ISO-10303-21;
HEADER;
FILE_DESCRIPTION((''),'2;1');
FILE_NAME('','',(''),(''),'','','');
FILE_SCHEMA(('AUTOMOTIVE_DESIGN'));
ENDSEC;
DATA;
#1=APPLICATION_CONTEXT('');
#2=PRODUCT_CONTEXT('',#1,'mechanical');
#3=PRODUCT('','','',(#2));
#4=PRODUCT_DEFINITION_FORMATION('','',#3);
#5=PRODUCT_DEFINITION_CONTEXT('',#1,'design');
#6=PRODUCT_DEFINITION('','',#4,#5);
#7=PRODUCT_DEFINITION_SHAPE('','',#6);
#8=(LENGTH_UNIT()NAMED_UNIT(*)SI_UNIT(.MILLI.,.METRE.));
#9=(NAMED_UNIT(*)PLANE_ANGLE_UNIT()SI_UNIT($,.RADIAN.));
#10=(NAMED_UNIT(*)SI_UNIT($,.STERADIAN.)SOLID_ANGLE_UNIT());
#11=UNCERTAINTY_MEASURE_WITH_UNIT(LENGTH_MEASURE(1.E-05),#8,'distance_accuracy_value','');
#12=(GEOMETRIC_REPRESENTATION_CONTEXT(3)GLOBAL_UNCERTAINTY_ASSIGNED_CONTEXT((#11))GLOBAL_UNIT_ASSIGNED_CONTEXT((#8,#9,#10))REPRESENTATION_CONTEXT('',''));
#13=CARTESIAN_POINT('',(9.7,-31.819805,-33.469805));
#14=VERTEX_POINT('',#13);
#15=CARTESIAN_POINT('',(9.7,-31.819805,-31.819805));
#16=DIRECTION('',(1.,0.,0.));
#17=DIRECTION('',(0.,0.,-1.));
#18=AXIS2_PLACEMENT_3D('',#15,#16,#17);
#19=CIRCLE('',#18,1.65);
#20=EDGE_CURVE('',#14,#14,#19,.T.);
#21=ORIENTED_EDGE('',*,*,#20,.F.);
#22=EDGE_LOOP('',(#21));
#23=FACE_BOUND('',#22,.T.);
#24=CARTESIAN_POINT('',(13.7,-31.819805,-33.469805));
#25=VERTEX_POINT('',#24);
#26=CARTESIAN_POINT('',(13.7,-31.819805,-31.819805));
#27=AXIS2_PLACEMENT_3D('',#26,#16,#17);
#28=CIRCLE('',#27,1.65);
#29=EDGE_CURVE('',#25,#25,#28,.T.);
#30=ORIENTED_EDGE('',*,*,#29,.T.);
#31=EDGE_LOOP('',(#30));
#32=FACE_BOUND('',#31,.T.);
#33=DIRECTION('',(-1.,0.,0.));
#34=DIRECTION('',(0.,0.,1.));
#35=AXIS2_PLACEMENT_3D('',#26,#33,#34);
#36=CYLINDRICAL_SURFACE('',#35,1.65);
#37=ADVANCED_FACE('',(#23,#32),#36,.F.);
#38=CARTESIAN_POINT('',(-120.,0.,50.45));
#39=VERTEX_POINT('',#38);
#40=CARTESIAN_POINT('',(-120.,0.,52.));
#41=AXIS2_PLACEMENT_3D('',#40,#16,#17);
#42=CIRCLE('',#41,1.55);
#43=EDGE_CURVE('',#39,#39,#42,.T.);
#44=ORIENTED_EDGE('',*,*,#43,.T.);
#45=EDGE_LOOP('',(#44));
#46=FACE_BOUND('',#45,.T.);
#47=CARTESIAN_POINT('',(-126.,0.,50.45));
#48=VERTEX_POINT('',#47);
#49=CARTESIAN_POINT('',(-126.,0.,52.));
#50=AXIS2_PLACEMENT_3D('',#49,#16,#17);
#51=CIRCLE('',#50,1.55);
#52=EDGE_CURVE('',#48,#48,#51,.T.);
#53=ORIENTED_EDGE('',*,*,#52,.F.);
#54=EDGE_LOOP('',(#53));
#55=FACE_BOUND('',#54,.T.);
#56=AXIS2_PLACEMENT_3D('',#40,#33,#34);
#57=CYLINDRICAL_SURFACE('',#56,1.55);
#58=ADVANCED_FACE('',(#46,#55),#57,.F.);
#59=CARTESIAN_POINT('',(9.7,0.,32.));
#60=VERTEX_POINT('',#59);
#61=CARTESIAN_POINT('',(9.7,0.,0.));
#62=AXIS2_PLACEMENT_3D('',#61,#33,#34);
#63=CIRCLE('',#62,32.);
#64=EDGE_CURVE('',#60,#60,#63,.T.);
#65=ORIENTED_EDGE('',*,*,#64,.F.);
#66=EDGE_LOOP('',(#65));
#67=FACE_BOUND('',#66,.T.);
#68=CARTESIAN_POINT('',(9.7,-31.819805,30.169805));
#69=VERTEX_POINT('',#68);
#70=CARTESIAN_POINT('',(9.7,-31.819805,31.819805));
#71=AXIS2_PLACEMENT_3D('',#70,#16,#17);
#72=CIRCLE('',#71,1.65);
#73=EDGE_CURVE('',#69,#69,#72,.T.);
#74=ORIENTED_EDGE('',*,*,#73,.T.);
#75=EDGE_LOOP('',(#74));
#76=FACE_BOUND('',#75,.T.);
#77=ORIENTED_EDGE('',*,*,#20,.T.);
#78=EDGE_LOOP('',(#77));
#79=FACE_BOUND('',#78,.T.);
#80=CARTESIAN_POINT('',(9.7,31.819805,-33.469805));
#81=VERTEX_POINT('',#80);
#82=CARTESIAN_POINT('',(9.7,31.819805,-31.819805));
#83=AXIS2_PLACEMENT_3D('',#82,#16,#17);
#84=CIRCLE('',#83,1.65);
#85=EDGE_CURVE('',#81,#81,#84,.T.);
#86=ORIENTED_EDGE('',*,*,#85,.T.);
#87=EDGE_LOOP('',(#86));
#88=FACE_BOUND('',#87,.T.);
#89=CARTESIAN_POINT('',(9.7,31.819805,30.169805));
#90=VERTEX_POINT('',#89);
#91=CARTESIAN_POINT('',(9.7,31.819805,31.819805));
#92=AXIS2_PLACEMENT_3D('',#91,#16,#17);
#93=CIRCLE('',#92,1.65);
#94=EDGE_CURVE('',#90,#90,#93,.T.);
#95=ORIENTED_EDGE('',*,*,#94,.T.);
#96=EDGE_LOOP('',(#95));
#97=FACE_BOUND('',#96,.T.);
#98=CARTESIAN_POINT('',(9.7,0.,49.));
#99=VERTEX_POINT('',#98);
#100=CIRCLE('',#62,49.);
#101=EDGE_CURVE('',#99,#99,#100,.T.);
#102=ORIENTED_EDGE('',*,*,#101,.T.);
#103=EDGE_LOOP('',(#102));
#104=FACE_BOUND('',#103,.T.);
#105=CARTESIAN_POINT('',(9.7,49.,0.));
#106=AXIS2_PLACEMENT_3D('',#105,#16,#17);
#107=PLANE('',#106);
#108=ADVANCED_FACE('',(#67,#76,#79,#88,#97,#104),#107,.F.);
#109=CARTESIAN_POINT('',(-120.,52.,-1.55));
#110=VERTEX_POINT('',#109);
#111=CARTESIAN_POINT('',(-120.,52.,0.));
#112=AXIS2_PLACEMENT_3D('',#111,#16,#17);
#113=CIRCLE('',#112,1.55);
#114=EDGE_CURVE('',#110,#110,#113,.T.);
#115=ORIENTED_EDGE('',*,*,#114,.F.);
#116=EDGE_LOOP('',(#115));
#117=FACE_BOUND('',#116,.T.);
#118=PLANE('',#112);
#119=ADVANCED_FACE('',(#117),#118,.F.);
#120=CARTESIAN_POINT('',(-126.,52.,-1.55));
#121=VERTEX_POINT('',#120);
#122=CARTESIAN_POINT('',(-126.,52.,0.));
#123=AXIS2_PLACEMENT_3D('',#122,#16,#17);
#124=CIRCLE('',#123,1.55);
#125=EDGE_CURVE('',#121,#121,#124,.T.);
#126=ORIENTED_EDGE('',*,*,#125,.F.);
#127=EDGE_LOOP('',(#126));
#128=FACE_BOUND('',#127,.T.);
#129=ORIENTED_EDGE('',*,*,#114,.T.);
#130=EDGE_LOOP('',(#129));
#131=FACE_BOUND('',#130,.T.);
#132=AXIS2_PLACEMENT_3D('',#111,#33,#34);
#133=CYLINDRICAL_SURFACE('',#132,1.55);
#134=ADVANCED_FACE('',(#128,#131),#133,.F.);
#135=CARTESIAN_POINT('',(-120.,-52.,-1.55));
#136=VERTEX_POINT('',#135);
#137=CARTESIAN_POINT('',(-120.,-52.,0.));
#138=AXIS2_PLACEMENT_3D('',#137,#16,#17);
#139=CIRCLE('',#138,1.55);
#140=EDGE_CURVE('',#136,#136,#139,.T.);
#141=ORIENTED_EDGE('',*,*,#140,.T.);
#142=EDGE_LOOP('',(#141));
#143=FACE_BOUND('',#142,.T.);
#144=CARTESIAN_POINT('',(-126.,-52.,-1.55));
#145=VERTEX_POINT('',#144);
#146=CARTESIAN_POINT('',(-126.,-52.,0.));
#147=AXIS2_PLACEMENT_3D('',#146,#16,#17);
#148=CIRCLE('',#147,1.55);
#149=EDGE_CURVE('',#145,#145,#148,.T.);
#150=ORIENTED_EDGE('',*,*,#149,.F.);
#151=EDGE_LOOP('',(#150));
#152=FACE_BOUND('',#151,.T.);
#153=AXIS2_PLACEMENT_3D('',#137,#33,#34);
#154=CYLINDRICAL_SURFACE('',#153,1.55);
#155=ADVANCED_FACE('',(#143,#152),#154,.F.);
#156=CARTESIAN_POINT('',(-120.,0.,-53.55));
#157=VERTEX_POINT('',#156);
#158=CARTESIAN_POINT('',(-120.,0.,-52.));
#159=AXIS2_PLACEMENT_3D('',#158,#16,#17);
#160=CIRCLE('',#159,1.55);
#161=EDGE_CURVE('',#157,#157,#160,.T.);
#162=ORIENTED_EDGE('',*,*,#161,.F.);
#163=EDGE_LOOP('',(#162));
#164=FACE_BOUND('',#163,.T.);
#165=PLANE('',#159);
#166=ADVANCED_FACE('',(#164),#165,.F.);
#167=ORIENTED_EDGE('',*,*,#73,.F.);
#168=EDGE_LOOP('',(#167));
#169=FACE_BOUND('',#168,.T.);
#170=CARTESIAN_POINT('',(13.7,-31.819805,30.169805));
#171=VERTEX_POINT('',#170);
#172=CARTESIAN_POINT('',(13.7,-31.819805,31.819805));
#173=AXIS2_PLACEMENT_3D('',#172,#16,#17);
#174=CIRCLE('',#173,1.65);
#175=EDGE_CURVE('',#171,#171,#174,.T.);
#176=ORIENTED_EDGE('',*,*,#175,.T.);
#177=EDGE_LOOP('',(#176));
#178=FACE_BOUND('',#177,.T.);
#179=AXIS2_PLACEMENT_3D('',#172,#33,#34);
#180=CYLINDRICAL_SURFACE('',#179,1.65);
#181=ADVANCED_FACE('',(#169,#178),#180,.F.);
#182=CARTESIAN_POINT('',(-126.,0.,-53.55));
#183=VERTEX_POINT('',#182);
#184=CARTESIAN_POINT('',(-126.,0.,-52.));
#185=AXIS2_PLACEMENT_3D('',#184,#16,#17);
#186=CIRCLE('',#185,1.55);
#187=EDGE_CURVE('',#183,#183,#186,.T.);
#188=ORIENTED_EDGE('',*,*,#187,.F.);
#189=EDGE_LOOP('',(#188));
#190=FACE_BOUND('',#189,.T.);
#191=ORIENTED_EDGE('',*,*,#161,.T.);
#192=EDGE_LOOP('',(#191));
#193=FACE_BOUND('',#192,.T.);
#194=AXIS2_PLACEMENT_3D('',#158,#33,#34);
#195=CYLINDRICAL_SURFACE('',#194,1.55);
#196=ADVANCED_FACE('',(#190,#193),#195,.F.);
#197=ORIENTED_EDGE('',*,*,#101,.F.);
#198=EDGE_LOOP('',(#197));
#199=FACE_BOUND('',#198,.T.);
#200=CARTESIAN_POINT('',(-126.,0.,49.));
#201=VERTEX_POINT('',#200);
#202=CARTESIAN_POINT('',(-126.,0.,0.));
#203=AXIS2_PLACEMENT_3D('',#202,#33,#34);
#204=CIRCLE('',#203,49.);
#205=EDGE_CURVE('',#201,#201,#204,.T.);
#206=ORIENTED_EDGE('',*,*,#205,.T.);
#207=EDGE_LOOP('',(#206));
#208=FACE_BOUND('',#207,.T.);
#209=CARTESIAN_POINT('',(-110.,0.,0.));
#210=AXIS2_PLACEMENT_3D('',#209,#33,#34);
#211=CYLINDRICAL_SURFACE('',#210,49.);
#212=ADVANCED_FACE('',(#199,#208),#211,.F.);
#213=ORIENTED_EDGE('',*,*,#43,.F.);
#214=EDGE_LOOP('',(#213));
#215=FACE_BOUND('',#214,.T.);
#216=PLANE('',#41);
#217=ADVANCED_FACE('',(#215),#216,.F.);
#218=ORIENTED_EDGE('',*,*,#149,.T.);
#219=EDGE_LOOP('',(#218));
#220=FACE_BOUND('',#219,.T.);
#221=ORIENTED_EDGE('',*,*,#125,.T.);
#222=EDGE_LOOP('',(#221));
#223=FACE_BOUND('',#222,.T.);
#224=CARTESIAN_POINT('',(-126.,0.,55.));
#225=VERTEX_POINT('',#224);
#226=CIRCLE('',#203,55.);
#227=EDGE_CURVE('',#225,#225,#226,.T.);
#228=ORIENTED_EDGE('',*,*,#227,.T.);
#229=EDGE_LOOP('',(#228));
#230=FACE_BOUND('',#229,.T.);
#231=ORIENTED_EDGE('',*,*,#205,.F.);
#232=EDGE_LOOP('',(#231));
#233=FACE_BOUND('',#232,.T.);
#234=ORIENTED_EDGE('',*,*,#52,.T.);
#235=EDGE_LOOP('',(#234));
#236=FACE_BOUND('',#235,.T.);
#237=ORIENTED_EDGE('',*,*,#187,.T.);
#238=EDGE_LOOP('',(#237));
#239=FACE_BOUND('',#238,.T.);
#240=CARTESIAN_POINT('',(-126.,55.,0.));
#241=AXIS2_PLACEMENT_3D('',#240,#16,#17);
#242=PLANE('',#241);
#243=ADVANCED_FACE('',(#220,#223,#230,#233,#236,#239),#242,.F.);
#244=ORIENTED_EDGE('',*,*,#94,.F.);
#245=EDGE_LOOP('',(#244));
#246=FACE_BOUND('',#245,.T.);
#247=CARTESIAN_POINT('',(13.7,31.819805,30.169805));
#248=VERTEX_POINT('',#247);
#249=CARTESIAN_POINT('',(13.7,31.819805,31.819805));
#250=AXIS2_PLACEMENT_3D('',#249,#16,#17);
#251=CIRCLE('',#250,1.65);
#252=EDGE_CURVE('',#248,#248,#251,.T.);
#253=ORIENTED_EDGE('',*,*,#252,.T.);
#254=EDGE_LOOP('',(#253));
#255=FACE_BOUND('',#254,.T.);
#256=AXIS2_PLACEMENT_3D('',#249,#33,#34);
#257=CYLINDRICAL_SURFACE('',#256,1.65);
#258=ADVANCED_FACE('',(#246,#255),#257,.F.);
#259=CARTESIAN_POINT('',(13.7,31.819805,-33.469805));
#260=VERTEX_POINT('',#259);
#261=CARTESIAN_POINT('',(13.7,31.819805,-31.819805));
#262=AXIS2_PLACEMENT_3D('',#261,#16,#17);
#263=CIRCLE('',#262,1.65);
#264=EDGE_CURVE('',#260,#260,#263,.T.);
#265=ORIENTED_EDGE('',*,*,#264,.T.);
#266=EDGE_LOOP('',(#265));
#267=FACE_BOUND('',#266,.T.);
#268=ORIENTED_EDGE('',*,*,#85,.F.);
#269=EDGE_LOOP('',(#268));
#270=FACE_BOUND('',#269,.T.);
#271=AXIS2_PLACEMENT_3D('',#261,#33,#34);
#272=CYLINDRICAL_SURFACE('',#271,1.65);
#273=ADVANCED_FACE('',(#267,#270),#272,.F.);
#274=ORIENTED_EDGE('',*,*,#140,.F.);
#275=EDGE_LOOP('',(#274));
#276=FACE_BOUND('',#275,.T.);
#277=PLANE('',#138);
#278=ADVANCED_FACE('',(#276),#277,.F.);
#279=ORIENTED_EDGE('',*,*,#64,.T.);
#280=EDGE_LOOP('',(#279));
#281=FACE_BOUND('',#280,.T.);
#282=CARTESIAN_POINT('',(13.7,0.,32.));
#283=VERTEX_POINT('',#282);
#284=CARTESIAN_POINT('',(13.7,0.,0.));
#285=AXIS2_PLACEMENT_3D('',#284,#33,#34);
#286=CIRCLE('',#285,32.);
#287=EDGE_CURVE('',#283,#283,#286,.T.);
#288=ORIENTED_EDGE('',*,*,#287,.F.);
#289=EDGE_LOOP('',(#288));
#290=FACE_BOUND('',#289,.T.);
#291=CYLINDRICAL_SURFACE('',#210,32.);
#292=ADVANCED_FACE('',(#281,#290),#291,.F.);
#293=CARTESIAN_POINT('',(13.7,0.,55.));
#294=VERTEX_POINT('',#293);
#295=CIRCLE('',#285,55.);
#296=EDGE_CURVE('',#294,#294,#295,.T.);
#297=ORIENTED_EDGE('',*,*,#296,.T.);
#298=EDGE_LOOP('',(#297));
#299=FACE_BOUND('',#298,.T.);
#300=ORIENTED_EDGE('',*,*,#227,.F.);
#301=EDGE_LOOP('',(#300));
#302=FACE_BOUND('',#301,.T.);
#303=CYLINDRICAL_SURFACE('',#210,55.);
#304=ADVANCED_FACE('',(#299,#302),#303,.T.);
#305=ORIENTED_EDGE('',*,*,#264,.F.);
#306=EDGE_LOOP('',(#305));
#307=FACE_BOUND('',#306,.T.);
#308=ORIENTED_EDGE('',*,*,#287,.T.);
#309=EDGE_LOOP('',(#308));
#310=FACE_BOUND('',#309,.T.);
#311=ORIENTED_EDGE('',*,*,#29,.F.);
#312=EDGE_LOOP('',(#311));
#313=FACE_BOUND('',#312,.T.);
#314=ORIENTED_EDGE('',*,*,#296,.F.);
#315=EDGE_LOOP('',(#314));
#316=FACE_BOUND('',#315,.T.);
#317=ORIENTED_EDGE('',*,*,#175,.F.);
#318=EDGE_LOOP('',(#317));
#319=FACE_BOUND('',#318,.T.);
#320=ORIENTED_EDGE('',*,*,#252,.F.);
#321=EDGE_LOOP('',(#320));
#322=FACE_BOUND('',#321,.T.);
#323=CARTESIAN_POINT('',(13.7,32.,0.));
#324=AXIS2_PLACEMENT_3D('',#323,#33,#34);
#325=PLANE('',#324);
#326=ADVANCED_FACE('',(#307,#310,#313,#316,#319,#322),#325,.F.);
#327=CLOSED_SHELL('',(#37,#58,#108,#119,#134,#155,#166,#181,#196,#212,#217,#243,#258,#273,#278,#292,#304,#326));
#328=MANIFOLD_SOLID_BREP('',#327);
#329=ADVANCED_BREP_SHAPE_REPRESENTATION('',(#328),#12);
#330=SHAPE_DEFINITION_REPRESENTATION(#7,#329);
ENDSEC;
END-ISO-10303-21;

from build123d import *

# Parameters (mm, degrees)
AXIAL_START        = 9.7
SKETCH2_R          = 1.65
AXIAL_HOLES_DEPTH  = 4
CUT_EXTRUDE2_START = -126
SKETCH3_R          = 1.55
CUT_EXTRUDE2_DEPTH = 6


with BuildPart() as part:
    # Axial profile (mm) → Full revolution (revolve)
    with BuildSketch(Plane.XY, mode=Mode.PRIVATE) as full_revolution_sk:
        Polygon((-126, 49), (9.7, 49), (9.7, 32), (13.7, 32), (13.7, 55), (-126, 55), align=None)
    revolve(full_revolution_sk.sketch.rotate(Axis((-110, 0, 0), (1, 0, 0)), 90), axis=Axis((-110, 0, 0), (1, 0, 0)))

    # Sketch2 → Axial holes (cut)
    with BuildSketch(Plane(origin=(0, 0, 0), x_dir=(0, 0, -1), z_dir=(1, 0, 0)).offset(AXIAL_START)):
        with Locations((-31.819805153, 31.819805153)):
            Circle(SKETCH2_R)
        with Locations((-31.819805153, -31.819805153)):
            Circle(SKETCH2_R)
        with Locations((31.819805153, -31.819805153)):
            Circle(SKETCH2_R)
        with Locations((31.819805153, 31.819805153)):
            Circle(SKETCH2_R)
    extrude(amount=AXIAL_HOLES_DEPTH, mode=Mode.SUBTRACT)

    # Sketch3 → Cut-Extrude2 (cut)
    with BuildSketch(Plane(origin=(0, 0, 0), x_dir=(0, 0, -1), z_dir=(1, 0, 0)).offset(CUT_EXTRUDE2_START)):
        with Locations((0, 52)):
            Circle(SKETCH3_R)
        with Locations((-52, 0)):
            Circle(SKETCH3_R)
        with Locations((0, -52)):
            Circle(SKETCH3_R)
        with Locations((52, 0)):
            Circle(SKETCH3_R)
    extrude(amount=CUT_EXTRUDE2_DEPTH, mode=Mode.SUBTRACT)


solid = part.part
